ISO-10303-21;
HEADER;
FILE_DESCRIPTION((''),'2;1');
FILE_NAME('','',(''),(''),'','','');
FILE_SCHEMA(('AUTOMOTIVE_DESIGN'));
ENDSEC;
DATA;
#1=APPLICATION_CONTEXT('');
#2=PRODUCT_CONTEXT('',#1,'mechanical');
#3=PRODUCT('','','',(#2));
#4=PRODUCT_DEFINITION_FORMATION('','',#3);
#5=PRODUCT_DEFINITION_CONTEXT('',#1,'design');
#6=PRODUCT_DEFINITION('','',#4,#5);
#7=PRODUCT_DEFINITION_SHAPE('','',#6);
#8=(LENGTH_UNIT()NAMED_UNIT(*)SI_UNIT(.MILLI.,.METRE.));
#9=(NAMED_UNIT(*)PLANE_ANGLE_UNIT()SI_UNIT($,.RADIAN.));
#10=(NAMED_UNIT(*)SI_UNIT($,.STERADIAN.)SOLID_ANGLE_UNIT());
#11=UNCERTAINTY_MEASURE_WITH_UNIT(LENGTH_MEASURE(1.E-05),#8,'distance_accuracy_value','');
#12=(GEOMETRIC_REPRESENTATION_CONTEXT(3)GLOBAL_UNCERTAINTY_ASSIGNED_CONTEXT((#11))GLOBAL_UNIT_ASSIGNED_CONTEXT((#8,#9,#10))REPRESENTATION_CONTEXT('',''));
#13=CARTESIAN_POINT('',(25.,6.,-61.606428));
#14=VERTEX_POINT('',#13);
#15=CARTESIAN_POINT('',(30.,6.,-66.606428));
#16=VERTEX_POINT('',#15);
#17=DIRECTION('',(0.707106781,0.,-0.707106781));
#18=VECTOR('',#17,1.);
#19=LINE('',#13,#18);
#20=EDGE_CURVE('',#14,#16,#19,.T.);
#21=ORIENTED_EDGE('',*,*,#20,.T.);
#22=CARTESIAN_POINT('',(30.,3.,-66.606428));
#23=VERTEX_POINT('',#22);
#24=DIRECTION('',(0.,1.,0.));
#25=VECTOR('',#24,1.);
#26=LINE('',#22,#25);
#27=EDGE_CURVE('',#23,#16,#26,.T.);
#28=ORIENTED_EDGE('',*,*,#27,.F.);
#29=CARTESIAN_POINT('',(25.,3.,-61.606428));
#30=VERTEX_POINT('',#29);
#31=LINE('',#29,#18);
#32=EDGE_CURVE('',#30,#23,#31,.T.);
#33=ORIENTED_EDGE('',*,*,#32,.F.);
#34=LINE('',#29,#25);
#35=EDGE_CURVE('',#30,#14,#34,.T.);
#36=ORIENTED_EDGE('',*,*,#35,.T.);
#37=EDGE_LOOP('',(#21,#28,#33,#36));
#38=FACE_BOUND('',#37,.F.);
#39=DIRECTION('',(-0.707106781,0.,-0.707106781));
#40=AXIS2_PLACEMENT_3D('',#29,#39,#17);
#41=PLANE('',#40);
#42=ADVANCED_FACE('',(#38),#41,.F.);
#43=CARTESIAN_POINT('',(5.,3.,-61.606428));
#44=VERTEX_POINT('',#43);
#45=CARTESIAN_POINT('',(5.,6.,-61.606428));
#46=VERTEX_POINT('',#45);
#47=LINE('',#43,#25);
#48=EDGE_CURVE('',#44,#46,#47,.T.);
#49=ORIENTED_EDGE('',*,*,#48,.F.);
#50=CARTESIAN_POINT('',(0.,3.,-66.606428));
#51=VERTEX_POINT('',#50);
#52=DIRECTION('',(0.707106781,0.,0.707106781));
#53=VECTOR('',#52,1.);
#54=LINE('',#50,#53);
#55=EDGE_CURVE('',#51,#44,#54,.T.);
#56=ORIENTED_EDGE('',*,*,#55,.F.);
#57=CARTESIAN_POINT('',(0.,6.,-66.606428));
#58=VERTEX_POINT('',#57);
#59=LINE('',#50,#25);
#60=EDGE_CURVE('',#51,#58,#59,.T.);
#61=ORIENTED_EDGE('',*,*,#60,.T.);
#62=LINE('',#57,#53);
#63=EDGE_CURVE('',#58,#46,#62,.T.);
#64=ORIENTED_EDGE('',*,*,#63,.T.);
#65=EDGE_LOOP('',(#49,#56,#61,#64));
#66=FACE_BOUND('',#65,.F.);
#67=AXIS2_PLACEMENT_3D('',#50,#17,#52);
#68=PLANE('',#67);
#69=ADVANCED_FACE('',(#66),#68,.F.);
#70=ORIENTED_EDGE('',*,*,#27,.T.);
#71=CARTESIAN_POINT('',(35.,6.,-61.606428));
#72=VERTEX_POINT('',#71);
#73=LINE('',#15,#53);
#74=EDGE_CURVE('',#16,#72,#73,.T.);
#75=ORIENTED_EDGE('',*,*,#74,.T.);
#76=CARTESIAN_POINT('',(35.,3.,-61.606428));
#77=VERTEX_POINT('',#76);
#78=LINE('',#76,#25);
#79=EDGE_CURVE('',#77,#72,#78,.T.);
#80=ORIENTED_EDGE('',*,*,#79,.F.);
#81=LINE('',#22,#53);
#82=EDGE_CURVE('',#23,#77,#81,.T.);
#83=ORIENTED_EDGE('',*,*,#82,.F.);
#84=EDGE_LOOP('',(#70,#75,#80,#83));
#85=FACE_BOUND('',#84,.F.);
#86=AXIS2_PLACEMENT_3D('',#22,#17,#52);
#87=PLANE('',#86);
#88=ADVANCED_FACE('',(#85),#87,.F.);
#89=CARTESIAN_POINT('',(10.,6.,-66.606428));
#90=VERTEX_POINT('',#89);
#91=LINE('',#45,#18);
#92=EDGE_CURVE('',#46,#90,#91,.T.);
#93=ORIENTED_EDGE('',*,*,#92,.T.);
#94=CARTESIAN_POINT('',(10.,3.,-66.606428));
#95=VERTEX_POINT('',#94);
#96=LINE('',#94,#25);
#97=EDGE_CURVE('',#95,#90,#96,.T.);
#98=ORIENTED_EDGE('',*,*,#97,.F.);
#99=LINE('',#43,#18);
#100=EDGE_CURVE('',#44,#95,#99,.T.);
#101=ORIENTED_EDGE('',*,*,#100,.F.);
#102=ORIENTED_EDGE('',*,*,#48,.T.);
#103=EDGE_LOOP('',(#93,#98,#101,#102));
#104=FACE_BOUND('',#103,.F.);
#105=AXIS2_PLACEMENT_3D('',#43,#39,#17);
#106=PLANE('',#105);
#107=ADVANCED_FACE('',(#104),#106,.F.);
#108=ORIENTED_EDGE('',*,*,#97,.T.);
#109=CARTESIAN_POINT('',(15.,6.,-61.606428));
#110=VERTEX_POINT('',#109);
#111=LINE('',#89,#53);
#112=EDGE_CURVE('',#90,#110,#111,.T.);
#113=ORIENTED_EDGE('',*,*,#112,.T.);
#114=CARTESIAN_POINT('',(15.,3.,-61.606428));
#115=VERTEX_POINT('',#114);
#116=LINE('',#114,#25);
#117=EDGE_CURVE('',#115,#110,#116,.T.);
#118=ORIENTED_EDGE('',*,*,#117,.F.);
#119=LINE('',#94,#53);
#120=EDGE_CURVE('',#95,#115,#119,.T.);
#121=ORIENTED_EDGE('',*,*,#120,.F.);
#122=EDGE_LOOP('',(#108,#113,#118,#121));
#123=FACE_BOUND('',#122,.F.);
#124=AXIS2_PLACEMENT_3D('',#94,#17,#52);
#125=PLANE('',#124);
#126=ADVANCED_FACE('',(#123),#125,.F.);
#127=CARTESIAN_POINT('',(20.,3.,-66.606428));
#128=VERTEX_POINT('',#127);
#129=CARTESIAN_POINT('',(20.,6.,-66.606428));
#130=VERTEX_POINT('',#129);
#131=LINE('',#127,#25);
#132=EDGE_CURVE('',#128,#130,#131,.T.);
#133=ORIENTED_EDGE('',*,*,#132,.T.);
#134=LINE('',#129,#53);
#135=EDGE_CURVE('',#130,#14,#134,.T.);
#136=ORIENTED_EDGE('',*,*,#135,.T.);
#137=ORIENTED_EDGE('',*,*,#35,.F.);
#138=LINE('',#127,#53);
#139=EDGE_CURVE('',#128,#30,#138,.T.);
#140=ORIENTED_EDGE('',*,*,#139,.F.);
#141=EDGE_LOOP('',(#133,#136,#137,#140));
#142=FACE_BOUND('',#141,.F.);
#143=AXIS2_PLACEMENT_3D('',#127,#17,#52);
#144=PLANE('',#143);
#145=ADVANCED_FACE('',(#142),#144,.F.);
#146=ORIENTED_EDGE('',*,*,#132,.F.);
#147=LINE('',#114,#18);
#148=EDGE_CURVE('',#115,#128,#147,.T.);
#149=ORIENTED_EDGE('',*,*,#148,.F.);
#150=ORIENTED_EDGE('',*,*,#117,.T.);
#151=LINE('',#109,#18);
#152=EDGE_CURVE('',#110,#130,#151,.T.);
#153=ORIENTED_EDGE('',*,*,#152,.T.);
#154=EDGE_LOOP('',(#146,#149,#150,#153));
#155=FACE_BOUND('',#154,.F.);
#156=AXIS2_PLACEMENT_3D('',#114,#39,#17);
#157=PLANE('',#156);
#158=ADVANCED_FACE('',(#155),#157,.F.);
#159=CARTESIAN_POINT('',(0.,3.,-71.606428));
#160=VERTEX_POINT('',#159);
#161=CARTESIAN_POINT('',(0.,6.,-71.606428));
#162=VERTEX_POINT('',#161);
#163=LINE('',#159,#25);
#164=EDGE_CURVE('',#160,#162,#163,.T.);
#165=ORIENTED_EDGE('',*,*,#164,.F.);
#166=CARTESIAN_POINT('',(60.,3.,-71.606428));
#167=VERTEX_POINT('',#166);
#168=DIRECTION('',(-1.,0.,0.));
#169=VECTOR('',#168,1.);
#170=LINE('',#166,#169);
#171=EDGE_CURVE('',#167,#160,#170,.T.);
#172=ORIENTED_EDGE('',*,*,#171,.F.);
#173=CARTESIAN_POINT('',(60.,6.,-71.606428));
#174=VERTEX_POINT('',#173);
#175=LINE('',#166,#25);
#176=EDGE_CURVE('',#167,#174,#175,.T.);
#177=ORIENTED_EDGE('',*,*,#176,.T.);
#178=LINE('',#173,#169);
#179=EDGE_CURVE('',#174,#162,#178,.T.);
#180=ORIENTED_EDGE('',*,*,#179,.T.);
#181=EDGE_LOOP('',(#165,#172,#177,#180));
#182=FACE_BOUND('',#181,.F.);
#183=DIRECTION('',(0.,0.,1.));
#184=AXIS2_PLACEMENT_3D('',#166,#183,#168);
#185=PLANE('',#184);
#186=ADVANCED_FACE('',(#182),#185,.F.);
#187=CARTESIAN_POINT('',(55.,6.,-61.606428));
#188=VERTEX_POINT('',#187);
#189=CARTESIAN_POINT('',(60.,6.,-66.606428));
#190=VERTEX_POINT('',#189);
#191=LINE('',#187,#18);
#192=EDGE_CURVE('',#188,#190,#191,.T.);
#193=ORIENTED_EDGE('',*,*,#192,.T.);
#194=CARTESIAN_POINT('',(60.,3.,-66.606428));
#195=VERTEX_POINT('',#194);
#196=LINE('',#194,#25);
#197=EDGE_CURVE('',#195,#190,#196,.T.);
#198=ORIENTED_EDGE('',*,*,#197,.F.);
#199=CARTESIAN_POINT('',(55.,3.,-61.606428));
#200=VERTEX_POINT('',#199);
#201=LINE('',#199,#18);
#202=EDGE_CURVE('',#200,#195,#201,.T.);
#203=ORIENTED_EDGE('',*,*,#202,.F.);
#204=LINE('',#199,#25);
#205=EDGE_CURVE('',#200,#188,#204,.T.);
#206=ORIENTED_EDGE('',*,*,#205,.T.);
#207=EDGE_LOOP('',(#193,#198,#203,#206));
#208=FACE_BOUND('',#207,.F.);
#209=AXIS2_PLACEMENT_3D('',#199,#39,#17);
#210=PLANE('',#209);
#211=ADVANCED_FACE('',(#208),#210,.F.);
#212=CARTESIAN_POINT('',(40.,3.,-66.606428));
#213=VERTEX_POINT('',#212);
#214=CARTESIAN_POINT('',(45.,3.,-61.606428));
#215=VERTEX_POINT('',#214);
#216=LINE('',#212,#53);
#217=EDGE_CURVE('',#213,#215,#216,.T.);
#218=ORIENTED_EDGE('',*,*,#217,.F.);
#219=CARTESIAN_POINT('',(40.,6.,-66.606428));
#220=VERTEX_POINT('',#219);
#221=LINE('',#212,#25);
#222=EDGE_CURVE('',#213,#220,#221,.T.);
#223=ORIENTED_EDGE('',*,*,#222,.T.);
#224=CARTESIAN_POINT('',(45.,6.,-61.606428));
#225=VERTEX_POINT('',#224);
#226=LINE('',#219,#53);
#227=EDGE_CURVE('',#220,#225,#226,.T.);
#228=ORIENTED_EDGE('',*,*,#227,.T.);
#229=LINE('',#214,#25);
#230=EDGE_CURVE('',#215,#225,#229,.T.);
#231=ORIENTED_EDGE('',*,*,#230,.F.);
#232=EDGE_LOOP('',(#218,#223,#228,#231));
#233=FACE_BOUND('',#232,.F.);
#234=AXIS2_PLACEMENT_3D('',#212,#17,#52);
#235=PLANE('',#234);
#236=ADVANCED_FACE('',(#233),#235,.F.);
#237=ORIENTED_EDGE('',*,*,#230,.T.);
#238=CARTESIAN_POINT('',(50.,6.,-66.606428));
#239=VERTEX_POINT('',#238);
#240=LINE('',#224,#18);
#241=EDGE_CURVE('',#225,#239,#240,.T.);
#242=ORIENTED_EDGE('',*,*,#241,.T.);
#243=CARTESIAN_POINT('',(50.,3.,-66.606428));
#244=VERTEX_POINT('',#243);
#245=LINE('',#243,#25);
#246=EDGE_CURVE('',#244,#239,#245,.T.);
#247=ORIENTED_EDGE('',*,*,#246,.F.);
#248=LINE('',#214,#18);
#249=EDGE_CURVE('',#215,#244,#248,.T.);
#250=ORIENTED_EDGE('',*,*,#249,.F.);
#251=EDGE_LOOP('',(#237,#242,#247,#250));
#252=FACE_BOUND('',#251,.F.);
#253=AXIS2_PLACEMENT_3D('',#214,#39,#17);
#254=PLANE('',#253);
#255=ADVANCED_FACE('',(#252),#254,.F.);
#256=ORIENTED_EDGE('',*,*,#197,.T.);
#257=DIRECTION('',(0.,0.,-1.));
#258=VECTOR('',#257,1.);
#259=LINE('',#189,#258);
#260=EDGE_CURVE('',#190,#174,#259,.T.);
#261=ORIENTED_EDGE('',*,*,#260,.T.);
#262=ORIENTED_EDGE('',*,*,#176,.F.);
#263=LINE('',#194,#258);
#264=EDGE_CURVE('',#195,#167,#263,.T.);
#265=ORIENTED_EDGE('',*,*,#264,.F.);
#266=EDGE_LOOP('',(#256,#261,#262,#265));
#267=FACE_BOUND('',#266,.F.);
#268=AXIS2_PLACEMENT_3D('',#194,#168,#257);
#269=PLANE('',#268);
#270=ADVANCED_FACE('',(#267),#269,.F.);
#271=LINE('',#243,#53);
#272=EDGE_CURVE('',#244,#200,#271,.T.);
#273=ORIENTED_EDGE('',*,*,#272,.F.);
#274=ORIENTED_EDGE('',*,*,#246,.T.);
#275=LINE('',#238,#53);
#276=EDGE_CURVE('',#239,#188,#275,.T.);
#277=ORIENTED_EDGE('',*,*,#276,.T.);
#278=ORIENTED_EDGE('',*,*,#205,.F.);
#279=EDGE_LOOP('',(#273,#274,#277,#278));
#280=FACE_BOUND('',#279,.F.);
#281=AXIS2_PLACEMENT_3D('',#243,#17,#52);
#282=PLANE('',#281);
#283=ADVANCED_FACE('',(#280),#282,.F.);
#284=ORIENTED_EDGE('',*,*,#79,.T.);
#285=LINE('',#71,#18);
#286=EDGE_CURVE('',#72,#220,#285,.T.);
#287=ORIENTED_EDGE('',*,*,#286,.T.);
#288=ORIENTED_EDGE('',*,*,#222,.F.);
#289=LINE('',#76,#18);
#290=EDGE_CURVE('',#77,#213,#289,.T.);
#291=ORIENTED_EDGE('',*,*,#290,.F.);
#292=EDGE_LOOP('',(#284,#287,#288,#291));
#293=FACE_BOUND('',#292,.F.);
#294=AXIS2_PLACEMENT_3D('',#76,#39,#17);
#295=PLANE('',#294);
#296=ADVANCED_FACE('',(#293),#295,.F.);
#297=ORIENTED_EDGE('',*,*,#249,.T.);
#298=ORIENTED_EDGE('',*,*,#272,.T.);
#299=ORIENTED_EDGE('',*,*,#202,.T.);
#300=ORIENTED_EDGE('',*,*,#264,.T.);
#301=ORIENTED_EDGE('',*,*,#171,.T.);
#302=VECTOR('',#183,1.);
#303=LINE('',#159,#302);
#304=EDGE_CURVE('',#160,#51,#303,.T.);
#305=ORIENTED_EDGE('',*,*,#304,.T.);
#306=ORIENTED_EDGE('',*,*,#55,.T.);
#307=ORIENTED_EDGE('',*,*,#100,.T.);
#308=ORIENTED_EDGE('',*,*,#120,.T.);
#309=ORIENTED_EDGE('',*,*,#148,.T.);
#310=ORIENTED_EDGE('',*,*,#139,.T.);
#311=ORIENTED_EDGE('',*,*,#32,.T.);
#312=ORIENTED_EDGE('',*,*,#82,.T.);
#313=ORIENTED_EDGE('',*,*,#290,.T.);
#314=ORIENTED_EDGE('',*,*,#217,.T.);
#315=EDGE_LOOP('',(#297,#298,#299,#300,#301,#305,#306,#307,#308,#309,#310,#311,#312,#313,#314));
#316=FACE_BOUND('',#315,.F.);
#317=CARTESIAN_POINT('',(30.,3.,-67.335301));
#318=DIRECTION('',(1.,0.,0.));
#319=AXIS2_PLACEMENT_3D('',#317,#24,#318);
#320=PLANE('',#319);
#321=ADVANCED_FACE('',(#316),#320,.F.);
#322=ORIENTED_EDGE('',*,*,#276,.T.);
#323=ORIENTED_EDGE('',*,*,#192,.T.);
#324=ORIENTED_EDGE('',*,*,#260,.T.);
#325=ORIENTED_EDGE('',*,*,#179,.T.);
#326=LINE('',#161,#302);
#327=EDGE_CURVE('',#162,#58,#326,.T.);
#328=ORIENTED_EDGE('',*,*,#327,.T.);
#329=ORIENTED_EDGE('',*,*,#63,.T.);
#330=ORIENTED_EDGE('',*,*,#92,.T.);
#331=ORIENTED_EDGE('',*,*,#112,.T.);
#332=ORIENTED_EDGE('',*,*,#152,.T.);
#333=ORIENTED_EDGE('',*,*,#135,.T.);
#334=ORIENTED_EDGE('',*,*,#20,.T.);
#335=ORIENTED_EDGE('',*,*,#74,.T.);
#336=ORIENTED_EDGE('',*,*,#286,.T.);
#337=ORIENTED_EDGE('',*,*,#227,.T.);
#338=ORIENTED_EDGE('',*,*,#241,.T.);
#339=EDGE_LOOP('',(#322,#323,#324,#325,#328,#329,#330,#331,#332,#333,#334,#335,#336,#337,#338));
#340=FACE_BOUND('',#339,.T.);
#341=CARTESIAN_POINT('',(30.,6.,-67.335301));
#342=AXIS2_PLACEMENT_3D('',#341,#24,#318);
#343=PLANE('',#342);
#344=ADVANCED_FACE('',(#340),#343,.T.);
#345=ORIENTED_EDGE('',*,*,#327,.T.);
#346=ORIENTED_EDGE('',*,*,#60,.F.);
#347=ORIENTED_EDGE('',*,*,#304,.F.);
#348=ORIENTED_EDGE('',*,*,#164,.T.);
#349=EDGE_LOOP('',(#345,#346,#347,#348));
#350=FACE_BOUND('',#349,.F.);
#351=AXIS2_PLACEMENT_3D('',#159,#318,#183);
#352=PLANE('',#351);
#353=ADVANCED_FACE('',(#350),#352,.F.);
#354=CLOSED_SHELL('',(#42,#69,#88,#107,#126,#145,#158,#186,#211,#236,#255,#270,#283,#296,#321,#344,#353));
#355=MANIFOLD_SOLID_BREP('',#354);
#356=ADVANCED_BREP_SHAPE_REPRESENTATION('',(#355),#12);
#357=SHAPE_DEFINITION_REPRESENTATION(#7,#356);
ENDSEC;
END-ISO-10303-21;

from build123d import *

# Parameters (mm, degrees)
BOSS_EXTRUDE1_DEPTH = 3


with BuildPart() as part:
    # Sketch1 → Boss-Extrude1 (new body)
    with BuildSketch(Plane(origin=(0, 3, 0), x_dir=(1, 0, 0), z_dir=(0, 1, 0))):
        Polygon((0, 71.606428038), (0, 66.606428038), (5, 61.606428038), (10, 66.606428038), (15, 61.606428038), (20, 66.606428038), (25, 61.606428038), (30, 66.606428038), (35, 61.606428038), (40, 66.606428038), (45, 61.606428038), (50, 66.606428038), (55, 61.606428038), (60, 66.606428038), (60, 71.606428038), align=None)
    extrude(amount=BOSS_EXTRUDE1_DEPTH)


solid = part.part
